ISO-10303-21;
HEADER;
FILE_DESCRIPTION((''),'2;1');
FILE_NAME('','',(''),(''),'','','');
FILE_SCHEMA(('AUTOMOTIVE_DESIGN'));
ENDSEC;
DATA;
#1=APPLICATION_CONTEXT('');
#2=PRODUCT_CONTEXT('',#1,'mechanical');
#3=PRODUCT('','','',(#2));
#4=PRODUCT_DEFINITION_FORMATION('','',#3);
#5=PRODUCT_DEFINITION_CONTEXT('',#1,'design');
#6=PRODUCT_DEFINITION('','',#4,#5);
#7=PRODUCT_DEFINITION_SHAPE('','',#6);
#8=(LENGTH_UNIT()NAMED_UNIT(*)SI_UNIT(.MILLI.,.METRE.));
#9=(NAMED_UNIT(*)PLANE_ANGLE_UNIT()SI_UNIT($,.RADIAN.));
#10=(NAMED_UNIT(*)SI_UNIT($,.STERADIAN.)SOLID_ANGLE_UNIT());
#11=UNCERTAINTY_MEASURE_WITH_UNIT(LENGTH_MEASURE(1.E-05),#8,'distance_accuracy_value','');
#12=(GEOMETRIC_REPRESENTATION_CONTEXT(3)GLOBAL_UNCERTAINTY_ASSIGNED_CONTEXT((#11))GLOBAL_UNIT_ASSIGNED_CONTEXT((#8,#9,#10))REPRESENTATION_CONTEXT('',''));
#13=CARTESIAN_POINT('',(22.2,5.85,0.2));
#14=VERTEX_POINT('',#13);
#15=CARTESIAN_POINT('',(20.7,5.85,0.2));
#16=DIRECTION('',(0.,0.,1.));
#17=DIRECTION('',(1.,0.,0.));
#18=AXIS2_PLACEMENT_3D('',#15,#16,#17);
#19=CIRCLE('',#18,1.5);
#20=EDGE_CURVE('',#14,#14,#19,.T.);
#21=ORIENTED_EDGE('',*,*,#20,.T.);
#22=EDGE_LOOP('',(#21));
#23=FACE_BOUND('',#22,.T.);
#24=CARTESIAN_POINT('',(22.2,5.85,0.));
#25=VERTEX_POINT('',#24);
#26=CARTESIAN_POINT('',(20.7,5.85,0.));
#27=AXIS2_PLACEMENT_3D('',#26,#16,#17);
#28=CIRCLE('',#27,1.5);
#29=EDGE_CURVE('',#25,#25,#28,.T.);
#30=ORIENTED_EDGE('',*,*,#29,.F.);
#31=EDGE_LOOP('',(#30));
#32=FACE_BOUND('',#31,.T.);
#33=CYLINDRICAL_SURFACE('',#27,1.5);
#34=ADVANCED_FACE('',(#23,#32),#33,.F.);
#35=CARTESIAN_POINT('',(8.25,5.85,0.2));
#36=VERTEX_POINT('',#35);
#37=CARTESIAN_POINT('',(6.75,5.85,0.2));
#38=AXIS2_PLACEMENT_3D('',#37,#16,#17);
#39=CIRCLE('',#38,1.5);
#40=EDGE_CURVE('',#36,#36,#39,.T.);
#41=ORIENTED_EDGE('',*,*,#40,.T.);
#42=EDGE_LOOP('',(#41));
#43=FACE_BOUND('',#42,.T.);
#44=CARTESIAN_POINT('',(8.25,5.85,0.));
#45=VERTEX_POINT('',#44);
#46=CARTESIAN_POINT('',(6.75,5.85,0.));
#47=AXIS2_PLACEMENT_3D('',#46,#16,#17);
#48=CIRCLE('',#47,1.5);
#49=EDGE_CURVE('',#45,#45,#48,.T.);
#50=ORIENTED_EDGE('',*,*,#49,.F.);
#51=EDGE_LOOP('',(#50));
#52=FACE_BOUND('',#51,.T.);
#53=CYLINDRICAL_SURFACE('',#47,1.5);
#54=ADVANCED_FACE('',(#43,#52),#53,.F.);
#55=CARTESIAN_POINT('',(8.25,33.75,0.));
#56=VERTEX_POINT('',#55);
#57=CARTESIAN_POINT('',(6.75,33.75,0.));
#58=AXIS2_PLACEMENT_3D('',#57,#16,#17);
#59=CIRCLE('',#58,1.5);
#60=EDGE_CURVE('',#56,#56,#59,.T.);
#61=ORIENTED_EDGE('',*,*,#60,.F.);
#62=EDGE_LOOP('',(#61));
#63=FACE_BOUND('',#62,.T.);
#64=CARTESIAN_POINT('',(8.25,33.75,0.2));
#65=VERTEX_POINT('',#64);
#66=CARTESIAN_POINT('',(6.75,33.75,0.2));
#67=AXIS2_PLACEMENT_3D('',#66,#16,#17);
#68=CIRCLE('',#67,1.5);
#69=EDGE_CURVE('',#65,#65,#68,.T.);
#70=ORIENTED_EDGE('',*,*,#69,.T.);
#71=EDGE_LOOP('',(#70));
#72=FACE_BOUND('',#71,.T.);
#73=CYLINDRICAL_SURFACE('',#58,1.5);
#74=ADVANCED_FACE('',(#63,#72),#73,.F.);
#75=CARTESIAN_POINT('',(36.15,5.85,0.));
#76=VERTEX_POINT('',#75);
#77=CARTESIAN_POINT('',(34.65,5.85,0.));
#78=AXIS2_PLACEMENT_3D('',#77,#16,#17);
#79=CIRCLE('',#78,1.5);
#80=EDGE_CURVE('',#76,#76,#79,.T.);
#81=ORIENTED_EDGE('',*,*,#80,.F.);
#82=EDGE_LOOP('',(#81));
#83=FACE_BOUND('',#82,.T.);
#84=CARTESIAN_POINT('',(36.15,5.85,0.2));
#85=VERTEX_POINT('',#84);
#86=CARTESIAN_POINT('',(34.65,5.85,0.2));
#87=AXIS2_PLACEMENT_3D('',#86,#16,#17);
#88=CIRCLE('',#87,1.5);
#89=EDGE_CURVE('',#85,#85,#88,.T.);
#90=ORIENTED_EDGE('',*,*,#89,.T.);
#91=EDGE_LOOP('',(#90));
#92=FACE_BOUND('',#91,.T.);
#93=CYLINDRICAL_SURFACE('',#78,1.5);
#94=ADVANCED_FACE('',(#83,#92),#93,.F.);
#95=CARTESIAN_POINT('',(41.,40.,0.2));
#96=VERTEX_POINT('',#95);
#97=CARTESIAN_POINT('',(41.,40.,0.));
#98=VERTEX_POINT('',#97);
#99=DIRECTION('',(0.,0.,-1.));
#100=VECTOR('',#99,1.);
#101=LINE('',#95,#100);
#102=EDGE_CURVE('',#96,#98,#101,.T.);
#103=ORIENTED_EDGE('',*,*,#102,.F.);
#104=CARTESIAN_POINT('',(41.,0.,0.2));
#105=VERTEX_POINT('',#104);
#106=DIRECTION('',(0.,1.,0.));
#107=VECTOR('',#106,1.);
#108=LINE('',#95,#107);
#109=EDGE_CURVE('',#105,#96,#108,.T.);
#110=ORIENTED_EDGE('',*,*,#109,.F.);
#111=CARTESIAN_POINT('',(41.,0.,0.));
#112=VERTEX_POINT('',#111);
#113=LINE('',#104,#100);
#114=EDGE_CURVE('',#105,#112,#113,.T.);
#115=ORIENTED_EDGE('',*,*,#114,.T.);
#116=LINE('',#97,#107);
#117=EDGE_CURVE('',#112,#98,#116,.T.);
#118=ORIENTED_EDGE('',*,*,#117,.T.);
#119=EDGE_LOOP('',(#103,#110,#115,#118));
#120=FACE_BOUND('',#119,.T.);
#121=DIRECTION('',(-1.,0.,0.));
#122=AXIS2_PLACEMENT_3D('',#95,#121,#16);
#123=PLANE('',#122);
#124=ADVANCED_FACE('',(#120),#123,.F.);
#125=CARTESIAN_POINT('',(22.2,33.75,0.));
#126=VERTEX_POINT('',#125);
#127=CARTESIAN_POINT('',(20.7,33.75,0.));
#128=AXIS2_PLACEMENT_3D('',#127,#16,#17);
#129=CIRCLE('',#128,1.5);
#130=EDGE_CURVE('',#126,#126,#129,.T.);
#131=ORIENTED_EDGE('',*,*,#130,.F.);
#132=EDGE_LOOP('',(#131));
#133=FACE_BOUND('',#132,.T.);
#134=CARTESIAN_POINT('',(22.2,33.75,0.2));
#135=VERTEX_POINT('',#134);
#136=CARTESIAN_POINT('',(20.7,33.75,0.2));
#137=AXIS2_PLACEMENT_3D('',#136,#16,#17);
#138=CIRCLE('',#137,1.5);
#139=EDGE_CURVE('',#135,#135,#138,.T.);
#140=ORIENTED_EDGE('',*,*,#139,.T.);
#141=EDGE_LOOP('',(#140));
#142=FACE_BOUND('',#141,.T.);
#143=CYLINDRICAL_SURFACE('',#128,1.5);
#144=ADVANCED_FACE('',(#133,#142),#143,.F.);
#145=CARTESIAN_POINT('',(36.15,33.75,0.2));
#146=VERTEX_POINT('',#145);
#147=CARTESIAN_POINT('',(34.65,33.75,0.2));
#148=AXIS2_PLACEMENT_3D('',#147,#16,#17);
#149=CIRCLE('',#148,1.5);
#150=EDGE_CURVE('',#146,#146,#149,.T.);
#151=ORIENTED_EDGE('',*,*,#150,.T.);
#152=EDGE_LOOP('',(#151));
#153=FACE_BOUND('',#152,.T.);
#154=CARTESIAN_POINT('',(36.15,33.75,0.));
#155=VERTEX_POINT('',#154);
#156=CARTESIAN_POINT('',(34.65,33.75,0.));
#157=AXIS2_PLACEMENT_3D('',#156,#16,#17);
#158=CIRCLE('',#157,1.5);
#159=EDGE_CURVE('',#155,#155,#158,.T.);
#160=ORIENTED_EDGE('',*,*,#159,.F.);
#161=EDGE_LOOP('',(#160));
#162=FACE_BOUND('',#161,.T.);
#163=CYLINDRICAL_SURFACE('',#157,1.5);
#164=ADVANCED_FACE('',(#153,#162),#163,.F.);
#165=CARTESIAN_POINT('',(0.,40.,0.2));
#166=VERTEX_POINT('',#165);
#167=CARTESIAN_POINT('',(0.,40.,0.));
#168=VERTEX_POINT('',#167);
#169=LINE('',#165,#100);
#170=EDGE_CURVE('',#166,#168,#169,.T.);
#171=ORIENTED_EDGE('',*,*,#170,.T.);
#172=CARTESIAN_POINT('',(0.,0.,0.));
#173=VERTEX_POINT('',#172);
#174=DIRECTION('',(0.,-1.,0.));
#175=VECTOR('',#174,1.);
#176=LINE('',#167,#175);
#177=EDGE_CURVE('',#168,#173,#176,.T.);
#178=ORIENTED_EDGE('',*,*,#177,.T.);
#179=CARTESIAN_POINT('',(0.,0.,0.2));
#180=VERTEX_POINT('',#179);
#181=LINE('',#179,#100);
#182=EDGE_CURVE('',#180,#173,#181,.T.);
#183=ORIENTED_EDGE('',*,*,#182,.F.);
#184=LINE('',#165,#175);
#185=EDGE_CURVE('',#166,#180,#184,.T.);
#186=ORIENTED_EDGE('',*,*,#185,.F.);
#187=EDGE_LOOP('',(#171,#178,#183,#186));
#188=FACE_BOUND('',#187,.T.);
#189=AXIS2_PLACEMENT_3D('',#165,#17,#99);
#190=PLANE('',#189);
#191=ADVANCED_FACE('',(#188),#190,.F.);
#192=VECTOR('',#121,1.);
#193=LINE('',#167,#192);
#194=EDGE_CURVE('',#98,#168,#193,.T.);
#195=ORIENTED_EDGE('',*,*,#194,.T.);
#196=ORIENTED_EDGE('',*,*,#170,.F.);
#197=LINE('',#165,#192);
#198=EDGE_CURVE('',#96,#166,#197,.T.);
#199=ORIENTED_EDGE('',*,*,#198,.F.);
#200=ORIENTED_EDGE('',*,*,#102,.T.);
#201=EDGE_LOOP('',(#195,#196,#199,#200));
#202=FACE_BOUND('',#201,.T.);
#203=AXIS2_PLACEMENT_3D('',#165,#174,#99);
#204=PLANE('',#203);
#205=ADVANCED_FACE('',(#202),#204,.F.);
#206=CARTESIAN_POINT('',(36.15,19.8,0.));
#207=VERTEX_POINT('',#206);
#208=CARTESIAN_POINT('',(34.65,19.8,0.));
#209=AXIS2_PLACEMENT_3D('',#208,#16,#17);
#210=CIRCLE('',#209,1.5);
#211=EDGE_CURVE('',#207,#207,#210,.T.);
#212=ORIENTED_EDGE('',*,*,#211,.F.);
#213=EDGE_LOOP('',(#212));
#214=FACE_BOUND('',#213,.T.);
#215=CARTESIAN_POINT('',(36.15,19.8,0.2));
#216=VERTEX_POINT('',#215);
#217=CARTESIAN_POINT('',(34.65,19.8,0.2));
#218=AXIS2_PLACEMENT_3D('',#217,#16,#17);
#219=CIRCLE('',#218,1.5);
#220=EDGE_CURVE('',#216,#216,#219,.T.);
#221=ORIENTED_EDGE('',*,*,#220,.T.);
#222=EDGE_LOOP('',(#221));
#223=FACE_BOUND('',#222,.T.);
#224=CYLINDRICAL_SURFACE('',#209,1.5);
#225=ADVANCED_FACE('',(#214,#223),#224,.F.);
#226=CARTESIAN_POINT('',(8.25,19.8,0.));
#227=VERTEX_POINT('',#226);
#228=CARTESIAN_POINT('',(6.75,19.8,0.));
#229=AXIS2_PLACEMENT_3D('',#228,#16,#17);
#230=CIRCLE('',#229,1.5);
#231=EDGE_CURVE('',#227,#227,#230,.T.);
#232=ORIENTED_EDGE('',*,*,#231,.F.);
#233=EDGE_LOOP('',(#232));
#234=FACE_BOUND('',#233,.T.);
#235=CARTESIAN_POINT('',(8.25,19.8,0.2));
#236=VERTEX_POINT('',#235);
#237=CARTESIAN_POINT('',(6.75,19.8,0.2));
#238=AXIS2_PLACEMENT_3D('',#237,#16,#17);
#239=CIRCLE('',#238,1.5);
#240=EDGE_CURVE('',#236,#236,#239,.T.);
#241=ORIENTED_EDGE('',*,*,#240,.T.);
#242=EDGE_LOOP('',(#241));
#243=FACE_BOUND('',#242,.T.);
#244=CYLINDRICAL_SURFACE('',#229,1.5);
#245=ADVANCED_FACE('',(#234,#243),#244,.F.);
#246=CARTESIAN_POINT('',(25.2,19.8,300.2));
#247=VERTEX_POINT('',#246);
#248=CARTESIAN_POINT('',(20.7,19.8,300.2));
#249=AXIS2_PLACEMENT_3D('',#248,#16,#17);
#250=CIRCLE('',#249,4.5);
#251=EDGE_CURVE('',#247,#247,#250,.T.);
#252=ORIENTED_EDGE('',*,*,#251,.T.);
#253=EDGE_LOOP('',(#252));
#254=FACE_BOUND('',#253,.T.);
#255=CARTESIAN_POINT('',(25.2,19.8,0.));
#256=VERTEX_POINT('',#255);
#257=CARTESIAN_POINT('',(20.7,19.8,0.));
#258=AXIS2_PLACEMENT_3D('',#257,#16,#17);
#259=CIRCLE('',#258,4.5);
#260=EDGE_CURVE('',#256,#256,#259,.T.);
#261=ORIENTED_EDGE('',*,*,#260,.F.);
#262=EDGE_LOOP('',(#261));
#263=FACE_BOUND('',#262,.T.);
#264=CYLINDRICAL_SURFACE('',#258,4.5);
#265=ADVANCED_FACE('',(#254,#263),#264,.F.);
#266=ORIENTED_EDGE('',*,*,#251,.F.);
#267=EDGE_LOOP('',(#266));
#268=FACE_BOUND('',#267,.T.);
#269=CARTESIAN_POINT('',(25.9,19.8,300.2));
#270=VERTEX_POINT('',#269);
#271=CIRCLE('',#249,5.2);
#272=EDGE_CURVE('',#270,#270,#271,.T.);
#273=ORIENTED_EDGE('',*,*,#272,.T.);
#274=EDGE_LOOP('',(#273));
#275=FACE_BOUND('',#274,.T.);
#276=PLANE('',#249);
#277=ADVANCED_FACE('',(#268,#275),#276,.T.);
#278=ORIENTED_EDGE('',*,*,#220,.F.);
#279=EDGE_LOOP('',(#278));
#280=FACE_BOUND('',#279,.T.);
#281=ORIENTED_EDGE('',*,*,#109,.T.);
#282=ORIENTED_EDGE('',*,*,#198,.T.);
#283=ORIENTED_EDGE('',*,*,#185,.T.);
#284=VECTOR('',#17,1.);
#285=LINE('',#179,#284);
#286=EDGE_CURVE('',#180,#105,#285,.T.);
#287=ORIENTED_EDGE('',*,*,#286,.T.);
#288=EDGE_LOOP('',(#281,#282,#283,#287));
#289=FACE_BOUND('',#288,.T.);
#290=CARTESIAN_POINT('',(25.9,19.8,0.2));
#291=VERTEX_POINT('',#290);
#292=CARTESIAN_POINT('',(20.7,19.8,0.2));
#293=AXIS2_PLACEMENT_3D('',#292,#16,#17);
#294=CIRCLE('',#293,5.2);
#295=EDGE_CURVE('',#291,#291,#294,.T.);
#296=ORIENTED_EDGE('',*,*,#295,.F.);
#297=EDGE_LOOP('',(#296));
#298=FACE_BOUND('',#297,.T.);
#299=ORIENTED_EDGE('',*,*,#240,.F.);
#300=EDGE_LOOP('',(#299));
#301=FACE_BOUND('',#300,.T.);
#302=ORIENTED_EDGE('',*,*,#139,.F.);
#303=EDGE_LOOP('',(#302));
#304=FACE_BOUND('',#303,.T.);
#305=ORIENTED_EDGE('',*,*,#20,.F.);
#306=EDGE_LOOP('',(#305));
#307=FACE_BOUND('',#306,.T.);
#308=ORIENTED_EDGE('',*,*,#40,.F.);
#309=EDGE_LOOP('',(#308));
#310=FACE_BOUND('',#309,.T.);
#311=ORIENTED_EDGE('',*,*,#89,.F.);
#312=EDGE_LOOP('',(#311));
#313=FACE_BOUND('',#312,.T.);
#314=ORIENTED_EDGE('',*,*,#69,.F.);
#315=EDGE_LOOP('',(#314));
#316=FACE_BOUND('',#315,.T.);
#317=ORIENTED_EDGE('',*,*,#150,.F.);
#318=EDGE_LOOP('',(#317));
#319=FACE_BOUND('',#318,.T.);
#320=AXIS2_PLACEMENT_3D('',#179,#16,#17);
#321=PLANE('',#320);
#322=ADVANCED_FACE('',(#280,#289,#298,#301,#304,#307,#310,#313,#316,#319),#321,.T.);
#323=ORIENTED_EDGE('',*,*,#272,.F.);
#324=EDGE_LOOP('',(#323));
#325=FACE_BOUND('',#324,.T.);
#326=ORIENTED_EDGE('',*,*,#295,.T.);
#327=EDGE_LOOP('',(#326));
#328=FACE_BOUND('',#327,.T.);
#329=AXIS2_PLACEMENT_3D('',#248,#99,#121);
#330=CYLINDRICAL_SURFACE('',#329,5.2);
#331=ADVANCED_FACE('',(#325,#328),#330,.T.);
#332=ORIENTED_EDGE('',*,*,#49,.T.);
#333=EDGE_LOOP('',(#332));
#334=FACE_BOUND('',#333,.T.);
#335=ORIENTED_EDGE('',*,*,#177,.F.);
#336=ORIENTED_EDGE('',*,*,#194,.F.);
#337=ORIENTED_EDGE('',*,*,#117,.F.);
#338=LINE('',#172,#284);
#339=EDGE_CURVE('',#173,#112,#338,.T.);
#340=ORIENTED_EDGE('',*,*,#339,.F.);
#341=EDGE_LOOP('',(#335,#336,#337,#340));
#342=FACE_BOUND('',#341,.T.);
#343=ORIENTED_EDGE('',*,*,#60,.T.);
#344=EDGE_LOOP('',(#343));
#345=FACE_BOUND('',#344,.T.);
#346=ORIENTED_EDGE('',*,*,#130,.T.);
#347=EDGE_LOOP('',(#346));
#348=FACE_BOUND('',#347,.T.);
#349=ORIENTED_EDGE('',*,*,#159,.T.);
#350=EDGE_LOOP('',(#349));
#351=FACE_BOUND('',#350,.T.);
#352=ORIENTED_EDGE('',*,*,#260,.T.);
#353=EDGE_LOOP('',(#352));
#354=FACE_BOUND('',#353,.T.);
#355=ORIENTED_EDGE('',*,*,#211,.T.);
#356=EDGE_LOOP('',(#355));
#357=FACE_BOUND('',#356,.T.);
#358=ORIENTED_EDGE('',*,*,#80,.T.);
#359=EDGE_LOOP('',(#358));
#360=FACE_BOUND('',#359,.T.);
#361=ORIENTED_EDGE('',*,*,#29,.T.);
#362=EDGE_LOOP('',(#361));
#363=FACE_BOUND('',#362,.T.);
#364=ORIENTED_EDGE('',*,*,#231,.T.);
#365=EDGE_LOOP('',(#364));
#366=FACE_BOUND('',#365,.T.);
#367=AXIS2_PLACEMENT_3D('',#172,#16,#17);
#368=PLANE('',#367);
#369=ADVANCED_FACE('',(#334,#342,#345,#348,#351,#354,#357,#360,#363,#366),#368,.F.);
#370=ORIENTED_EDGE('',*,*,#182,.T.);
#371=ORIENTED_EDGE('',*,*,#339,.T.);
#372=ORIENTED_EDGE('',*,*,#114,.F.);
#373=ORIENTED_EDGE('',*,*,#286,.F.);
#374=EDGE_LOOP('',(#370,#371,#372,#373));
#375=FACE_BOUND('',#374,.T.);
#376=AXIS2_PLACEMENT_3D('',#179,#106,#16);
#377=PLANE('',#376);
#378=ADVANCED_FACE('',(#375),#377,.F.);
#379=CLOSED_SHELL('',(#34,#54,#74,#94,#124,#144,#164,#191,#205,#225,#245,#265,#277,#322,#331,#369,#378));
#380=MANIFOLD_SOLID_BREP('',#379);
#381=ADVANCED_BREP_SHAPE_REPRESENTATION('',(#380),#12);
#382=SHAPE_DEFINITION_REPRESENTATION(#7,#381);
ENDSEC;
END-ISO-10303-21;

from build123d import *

# Parameters (mm, degrees)
SKETCH_1_W          = 41
SKETCH_1_H          = 40
EXTRUDE_1_DEPTH     = 0.2
SKETCH_5_R          = 4.5
CUT_EXTRUDE_3_DEPTH = 0.2
SKETCH_6_R          = 1.5
CUT_EXTRUDE_4_DEPTH = 0.2
EXTRUDE_START       = 300
SKETCH_7_R          = 5.2
SKETCH_7_R_2        = 4.5
EXTRUDE_2_DEPTH     = 300


with BuildPart() as part:
    # 스케치1 → 보스-돌출1 (new body)
    with BuildSketch(Plane.XY):
        with Locations((20.5, 20)):
            Rectangle(SKETCH_1_W, SKETCH_1_H)
    extrude(amount=EXTRUDE_1_DEPTH)

    # 스케치5 → 컷-돌출3 (cut)
    with BuildSketch(Plane.XY.offset(0.2)):
        with Locations((20.7, 19.8)):
            Circle(SKETCH_5_R)
    extrude(amount=-CUT_EXTRUDE_3_DEPTH, mode=Mode.SUBTRACT)

    # 스케치6 → 컷-돌출4 (cut)
    with BuildSketch(Plane.XY.offset(0.2)):
        with Locations((20.7, 33.75)):
            Circle(SKETCH_6_R)
        with Locations((34.65, 33.75)):
            Circle(SKETCH_6_R)
        with Locations((34.65, 19.8)):
            Circle(SKETCH_6_R)
        with Locations((20.7, 5.85)):
            Circle(SKETCH_6_R)
        with Locations((34.65, 5.85)):
            Circle(SKETCH_6_R)
        with Locations((6.75, 5.85)):
            Circle(SKETCH_6_R)
        with Locations((6.75, 33.75)):
            Circle(SKETCH_6_R)
        with Locations((6.75, 19.8)):
            Circle(SKETCH_6_R)
    extrude(amount=-CUT_EXTRUDE_4_DEPTH, mode=Mode.SUBTRACT)

    # 스케치7 → 보스-돌출2 (add)
    with BuildSketch(Plane.XY.offset(0.2).offset(EXTRUDE_START)):
        with Locations((20.7, 19.8)):
            Circle(SKETCH_7_R)
        with Locations((20.7, 19.8)):
            Circle(SKETCH_7_R_2, mode=Mode.SUBTRACT)
    extrude(amount=-EXTRUDE_2_DEPTH)


solid = part.part
